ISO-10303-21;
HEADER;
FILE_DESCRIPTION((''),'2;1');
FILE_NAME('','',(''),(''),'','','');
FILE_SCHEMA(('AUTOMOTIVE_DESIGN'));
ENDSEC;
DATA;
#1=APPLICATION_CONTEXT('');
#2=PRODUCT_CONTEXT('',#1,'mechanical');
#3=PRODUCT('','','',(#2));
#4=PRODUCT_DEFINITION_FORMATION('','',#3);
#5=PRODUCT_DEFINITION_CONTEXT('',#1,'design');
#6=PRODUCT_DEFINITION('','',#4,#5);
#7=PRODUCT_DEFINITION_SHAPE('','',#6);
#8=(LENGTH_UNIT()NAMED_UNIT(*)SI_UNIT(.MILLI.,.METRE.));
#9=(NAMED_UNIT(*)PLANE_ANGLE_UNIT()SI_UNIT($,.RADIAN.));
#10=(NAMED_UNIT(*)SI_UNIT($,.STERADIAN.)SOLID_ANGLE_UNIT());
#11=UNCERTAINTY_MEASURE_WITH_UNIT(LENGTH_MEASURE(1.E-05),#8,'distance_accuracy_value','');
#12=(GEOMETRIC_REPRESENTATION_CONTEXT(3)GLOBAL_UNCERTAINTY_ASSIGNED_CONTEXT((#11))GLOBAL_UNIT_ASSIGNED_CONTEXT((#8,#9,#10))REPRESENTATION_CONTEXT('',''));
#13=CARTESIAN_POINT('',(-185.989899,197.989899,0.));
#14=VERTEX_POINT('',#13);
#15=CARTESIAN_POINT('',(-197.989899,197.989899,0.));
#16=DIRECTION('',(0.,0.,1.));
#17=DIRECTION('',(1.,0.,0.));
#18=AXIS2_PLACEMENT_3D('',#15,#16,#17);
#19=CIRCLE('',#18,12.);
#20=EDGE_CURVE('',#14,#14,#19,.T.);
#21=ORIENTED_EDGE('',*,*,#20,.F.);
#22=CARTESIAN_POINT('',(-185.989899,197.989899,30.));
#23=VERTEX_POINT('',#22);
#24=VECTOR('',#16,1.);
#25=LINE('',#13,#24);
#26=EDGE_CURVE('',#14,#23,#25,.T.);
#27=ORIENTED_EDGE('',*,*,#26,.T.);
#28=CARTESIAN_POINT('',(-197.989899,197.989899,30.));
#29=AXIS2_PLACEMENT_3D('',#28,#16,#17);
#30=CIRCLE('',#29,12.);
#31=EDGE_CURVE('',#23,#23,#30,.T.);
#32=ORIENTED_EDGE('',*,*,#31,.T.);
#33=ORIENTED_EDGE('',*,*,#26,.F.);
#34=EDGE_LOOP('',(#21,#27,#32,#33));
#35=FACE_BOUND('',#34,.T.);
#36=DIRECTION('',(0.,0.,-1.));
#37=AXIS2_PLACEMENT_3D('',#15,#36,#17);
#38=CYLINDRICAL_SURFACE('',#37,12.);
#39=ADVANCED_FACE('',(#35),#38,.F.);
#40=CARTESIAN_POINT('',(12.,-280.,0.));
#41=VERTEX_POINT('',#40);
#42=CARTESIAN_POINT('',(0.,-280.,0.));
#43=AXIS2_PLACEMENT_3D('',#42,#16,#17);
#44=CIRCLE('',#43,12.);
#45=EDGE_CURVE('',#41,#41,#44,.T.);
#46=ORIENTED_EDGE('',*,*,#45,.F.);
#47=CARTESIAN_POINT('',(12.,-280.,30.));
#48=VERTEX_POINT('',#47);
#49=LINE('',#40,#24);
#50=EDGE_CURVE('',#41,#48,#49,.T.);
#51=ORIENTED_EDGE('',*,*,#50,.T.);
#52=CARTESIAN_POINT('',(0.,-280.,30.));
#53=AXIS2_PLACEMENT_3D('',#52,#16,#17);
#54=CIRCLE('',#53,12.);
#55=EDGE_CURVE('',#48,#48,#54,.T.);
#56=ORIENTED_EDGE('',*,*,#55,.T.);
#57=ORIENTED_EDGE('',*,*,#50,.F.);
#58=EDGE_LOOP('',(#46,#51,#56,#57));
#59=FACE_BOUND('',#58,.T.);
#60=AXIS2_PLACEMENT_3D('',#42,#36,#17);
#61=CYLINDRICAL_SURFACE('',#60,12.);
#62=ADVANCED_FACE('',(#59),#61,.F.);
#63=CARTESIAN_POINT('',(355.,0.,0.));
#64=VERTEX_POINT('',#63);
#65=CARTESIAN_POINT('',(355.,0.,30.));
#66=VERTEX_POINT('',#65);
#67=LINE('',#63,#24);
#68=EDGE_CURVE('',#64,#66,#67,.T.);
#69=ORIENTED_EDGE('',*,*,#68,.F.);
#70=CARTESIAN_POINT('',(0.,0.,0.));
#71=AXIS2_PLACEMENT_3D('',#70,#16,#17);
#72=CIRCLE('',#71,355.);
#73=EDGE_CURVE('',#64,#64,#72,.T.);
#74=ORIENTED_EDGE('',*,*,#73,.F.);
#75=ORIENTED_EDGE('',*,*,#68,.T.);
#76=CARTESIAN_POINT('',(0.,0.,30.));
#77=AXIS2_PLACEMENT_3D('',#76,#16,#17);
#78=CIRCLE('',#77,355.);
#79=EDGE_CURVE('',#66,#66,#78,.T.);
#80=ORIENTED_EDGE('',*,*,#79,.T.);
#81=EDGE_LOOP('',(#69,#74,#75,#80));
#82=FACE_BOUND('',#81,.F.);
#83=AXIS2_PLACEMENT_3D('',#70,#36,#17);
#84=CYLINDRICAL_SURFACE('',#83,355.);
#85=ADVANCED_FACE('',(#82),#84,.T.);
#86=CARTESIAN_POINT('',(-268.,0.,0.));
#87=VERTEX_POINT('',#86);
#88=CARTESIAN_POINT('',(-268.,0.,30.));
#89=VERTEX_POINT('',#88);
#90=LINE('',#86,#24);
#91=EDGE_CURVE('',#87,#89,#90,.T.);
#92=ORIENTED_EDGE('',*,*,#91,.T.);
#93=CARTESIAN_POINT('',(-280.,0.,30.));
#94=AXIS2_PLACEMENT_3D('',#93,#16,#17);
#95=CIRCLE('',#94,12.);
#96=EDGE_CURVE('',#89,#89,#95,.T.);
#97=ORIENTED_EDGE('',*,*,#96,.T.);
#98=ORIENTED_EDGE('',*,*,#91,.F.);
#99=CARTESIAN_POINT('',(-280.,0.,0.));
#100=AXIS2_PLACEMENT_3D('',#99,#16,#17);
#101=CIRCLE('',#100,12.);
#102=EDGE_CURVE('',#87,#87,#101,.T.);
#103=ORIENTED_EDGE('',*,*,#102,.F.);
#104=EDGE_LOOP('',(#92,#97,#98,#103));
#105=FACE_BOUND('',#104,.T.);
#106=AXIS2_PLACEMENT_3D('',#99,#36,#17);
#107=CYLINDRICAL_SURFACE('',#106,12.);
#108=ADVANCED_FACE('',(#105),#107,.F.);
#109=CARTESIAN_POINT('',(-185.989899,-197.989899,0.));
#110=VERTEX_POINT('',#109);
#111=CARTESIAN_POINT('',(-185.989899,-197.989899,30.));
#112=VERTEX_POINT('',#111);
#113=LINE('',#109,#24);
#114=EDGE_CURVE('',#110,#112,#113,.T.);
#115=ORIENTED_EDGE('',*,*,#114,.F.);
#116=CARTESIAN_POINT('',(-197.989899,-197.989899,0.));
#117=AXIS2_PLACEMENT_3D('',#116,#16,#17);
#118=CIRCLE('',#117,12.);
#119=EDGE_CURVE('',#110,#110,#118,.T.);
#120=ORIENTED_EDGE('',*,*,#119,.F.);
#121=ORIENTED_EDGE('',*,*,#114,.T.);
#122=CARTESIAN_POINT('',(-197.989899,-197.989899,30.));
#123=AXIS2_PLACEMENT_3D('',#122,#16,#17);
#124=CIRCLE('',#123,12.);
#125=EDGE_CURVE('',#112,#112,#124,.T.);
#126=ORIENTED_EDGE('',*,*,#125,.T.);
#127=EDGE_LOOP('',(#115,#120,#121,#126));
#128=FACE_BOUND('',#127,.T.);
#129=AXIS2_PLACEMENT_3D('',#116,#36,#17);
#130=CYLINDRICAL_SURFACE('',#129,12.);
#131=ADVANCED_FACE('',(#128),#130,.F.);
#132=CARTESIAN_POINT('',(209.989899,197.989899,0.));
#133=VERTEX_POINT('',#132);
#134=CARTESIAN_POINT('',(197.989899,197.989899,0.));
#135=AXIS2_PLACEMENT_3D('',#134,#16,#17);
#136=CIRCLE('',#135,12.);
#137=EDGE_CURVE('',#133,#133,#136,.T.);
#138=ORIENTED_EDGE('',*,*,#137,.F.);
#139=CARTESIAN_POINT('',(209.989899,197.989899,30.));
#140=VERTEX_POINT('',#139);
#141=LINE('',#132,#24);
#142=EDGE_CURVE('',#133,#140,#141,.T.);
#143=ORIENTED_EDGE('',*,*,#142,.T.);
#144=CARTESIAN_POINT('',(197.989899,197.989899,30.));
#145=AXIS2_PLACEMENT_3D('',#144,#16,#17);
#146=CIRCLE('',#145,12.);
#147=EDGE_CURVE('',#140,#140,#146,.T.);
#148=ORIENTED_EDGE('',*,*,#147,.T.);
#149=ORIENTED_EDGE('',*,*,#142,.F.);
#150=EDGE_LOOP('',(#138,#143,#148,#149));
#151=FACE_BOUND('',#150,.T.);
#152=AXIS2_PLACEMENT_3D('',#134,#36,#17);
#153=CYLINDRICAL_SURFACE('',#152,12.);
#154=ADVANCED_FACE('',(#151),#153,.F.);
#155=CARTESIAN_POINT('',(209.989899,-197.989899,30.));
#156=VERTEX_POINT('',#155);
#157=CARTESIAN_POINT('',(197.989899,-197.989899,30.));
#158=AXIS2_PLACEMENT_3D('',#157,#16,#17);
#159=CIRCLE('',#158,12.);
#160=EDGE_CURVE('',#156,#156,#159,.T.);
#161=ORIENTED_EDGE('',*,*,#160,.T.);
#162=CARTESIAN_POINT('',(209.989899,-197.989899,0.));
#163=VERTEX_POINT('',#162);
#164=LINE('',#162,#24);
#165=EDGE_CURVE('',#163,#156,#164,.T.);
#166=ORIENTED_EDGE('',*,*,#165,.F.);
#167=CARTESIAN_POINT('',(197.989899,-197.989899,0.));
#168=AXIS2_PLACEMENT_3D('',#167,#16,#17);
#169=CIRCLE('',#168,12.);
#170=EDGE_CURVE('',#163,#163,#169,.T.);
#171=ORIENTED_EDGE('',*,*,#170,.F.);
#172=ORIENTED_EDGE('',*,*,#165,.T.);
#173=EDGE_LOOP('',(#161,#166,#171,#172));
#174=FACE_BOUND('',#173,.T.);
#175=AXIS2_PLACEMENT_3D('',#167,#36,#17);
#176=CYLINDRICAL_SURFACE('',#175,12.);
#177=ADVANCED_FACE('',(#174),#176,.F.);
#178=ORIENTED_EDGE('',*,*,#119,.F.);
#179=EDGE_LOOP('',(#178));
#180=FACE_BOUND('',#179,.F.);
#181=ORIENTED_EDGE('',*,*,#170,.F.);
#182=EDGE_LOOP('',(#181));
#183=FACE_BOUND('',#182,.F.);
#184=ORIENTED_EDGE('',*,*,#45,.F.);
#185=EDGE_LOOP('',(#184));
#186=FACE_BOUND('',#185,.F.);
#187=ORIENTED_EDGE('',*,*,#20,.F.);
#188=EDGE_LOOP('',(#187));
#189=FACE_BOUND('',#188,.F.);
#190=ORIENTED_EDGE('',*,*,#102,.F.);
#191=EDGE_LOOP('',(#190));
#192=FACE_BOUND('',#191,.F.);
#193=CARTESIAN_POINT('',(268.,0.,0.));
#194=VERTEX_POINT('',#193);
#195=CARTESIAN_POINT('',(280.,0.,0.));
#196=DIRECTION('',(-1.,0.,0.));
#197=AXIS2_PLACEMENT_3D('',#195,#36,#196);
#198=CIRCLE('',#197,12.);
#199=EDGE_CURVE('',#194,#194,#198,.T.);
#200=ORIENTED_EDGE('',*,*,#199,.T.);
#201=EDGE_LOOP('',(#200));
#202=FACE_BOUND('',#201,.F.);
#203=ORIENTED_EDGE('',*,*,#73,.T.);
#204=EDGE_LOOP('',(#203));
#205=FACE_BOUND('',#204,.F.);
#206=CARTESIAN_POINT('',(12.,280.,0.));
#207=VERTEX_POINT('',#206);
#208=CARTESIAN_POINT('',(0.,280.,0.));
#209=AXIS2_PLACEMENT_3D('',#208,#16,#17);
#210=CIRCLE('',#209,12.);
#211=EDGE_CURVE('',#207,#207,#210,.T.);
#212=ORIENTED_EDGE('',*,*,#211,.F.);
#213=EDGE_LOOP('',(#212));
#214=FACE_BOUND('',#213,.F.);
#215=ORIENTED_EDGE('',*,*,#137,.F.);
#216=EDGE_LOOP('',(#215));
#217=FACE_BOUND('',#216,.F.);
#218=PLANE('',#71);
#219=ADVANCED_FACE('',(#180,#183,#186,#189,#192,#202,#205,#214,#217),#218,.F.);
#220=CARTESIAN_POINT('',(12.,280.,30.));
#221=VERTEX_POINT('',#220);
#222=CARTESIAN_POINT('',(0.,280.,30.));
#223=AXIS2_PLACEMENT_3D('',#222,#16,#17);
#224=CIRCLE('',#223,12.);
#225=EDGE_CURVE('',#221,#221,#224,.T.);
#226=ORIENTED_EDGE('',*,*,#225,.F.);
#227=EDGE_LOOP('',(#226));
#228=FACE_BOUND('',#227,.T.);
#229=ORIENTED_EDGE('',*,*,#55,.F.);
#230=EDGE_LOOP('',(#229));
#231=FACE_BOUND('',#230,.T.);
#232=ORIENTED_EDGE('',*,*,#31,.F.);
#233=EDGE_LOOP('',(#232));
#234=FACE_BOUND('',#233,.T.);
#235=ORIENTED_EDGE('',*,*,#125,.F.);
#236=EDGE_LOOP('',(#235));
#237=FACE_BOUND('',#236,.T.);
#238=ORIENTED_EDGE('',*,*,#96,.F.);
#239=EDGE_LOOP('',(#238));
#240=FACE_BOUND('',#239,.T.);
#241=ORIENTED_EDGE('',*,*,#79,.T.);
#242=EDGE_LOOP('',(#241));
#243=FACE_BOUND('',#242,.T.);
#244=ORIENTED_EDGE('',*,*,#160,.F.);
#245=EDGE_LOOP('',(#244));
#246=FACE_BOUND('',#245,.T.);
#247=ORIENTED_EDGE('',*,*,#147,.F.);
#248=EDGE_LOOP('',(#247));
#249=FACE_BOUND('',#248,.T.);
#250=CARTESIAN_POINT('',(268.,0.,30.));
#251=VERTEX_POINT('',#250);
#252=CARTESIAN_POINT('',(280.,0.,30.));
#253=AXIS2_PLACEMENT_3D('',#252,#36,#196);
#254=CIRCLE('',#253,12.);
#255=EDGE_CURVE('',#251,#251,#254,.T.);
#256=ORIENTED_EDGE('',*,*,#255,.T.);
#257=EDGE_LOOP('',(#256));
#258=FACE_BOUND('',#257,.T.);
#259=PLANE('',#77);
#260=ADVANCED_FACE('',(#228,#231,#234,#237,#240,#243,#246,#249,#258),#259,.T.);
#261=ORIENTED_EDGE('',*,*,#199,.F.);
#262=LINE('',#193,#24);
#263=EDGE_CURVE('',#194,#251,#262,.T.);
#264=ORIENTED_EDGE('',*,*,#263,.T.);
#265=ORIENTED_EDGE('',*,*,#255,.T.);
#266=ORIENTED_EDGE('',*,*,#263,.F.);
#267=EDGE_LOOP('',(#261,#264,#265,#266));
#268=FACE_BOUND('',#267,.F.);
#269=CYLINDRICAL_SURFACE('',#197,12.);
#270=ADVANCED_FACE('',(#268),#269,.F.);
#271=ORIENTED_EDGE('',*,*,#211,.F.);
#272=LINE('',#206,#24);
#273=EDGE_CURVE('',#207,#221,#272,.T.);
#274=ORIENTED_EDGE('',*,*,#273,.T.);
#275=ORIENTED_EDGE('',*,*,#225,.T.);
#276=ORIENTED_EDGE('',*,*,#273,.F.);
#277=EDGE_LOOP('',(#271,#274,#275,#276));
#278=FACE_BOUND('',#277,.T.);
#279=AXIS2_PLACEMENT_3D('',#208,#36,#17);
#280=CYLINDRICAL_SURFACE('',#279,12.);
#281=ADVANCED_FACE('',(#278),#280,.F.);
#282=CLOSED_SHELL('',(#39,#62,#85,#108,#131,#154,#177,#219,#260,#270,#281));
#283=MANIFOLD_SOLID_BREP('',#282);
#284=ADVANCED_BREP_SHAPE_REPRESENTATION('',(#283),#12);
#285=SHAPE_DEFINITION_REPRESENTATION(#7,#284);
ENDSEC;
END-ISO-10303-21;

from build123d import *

# Parameters (mm, degrees)
F0_R     = 355
F0_R_2   = 12
F1_DEPTH = 30


with BuildPart() as f1:
    # F0 (on Top) → F1 (new body)
    with BuildSketch(Plane.XY):
        Circle(F0_R)
        with Locations((-197.989899, -197.989899)):
            Circle(F0_R_2, mode=Mode.SUBTRACT)
        with Locations((0, -280)):
            Circle(F0_R_2, mode=Mode.SUBTRACT)
        with Locations((197.989899, -197.989899)):
            Circle(F0_R_2, mode=Mode.SUBTRACT)
        with Locations((-280, 0)):
            Circle(F0_R_2, mode=Mode.SUBTRACT)
        with Locations((-197.989899, 197.989899)):
            Circle(F0_R_2, mode=Mode.SUBTRACT)
        with BuildLine():
            ThreePointArc((292, 0), (280, -12), (268, 0))
            ThreePointArc((268, 0), (280, 12), (292, 0))
        make_face(mode=Mode.SUBTRACT)
        with Locations((0, 280)):
            Circle(F0_R_2, mode=Mode.SUBTRACT)
        with Locations((197.989899, 197.989899)):
            Circle(F0_R_2, mode=Mode.SUBTRACT)
    extrude(amount=F1_DEPTH)


solid = f1.part
